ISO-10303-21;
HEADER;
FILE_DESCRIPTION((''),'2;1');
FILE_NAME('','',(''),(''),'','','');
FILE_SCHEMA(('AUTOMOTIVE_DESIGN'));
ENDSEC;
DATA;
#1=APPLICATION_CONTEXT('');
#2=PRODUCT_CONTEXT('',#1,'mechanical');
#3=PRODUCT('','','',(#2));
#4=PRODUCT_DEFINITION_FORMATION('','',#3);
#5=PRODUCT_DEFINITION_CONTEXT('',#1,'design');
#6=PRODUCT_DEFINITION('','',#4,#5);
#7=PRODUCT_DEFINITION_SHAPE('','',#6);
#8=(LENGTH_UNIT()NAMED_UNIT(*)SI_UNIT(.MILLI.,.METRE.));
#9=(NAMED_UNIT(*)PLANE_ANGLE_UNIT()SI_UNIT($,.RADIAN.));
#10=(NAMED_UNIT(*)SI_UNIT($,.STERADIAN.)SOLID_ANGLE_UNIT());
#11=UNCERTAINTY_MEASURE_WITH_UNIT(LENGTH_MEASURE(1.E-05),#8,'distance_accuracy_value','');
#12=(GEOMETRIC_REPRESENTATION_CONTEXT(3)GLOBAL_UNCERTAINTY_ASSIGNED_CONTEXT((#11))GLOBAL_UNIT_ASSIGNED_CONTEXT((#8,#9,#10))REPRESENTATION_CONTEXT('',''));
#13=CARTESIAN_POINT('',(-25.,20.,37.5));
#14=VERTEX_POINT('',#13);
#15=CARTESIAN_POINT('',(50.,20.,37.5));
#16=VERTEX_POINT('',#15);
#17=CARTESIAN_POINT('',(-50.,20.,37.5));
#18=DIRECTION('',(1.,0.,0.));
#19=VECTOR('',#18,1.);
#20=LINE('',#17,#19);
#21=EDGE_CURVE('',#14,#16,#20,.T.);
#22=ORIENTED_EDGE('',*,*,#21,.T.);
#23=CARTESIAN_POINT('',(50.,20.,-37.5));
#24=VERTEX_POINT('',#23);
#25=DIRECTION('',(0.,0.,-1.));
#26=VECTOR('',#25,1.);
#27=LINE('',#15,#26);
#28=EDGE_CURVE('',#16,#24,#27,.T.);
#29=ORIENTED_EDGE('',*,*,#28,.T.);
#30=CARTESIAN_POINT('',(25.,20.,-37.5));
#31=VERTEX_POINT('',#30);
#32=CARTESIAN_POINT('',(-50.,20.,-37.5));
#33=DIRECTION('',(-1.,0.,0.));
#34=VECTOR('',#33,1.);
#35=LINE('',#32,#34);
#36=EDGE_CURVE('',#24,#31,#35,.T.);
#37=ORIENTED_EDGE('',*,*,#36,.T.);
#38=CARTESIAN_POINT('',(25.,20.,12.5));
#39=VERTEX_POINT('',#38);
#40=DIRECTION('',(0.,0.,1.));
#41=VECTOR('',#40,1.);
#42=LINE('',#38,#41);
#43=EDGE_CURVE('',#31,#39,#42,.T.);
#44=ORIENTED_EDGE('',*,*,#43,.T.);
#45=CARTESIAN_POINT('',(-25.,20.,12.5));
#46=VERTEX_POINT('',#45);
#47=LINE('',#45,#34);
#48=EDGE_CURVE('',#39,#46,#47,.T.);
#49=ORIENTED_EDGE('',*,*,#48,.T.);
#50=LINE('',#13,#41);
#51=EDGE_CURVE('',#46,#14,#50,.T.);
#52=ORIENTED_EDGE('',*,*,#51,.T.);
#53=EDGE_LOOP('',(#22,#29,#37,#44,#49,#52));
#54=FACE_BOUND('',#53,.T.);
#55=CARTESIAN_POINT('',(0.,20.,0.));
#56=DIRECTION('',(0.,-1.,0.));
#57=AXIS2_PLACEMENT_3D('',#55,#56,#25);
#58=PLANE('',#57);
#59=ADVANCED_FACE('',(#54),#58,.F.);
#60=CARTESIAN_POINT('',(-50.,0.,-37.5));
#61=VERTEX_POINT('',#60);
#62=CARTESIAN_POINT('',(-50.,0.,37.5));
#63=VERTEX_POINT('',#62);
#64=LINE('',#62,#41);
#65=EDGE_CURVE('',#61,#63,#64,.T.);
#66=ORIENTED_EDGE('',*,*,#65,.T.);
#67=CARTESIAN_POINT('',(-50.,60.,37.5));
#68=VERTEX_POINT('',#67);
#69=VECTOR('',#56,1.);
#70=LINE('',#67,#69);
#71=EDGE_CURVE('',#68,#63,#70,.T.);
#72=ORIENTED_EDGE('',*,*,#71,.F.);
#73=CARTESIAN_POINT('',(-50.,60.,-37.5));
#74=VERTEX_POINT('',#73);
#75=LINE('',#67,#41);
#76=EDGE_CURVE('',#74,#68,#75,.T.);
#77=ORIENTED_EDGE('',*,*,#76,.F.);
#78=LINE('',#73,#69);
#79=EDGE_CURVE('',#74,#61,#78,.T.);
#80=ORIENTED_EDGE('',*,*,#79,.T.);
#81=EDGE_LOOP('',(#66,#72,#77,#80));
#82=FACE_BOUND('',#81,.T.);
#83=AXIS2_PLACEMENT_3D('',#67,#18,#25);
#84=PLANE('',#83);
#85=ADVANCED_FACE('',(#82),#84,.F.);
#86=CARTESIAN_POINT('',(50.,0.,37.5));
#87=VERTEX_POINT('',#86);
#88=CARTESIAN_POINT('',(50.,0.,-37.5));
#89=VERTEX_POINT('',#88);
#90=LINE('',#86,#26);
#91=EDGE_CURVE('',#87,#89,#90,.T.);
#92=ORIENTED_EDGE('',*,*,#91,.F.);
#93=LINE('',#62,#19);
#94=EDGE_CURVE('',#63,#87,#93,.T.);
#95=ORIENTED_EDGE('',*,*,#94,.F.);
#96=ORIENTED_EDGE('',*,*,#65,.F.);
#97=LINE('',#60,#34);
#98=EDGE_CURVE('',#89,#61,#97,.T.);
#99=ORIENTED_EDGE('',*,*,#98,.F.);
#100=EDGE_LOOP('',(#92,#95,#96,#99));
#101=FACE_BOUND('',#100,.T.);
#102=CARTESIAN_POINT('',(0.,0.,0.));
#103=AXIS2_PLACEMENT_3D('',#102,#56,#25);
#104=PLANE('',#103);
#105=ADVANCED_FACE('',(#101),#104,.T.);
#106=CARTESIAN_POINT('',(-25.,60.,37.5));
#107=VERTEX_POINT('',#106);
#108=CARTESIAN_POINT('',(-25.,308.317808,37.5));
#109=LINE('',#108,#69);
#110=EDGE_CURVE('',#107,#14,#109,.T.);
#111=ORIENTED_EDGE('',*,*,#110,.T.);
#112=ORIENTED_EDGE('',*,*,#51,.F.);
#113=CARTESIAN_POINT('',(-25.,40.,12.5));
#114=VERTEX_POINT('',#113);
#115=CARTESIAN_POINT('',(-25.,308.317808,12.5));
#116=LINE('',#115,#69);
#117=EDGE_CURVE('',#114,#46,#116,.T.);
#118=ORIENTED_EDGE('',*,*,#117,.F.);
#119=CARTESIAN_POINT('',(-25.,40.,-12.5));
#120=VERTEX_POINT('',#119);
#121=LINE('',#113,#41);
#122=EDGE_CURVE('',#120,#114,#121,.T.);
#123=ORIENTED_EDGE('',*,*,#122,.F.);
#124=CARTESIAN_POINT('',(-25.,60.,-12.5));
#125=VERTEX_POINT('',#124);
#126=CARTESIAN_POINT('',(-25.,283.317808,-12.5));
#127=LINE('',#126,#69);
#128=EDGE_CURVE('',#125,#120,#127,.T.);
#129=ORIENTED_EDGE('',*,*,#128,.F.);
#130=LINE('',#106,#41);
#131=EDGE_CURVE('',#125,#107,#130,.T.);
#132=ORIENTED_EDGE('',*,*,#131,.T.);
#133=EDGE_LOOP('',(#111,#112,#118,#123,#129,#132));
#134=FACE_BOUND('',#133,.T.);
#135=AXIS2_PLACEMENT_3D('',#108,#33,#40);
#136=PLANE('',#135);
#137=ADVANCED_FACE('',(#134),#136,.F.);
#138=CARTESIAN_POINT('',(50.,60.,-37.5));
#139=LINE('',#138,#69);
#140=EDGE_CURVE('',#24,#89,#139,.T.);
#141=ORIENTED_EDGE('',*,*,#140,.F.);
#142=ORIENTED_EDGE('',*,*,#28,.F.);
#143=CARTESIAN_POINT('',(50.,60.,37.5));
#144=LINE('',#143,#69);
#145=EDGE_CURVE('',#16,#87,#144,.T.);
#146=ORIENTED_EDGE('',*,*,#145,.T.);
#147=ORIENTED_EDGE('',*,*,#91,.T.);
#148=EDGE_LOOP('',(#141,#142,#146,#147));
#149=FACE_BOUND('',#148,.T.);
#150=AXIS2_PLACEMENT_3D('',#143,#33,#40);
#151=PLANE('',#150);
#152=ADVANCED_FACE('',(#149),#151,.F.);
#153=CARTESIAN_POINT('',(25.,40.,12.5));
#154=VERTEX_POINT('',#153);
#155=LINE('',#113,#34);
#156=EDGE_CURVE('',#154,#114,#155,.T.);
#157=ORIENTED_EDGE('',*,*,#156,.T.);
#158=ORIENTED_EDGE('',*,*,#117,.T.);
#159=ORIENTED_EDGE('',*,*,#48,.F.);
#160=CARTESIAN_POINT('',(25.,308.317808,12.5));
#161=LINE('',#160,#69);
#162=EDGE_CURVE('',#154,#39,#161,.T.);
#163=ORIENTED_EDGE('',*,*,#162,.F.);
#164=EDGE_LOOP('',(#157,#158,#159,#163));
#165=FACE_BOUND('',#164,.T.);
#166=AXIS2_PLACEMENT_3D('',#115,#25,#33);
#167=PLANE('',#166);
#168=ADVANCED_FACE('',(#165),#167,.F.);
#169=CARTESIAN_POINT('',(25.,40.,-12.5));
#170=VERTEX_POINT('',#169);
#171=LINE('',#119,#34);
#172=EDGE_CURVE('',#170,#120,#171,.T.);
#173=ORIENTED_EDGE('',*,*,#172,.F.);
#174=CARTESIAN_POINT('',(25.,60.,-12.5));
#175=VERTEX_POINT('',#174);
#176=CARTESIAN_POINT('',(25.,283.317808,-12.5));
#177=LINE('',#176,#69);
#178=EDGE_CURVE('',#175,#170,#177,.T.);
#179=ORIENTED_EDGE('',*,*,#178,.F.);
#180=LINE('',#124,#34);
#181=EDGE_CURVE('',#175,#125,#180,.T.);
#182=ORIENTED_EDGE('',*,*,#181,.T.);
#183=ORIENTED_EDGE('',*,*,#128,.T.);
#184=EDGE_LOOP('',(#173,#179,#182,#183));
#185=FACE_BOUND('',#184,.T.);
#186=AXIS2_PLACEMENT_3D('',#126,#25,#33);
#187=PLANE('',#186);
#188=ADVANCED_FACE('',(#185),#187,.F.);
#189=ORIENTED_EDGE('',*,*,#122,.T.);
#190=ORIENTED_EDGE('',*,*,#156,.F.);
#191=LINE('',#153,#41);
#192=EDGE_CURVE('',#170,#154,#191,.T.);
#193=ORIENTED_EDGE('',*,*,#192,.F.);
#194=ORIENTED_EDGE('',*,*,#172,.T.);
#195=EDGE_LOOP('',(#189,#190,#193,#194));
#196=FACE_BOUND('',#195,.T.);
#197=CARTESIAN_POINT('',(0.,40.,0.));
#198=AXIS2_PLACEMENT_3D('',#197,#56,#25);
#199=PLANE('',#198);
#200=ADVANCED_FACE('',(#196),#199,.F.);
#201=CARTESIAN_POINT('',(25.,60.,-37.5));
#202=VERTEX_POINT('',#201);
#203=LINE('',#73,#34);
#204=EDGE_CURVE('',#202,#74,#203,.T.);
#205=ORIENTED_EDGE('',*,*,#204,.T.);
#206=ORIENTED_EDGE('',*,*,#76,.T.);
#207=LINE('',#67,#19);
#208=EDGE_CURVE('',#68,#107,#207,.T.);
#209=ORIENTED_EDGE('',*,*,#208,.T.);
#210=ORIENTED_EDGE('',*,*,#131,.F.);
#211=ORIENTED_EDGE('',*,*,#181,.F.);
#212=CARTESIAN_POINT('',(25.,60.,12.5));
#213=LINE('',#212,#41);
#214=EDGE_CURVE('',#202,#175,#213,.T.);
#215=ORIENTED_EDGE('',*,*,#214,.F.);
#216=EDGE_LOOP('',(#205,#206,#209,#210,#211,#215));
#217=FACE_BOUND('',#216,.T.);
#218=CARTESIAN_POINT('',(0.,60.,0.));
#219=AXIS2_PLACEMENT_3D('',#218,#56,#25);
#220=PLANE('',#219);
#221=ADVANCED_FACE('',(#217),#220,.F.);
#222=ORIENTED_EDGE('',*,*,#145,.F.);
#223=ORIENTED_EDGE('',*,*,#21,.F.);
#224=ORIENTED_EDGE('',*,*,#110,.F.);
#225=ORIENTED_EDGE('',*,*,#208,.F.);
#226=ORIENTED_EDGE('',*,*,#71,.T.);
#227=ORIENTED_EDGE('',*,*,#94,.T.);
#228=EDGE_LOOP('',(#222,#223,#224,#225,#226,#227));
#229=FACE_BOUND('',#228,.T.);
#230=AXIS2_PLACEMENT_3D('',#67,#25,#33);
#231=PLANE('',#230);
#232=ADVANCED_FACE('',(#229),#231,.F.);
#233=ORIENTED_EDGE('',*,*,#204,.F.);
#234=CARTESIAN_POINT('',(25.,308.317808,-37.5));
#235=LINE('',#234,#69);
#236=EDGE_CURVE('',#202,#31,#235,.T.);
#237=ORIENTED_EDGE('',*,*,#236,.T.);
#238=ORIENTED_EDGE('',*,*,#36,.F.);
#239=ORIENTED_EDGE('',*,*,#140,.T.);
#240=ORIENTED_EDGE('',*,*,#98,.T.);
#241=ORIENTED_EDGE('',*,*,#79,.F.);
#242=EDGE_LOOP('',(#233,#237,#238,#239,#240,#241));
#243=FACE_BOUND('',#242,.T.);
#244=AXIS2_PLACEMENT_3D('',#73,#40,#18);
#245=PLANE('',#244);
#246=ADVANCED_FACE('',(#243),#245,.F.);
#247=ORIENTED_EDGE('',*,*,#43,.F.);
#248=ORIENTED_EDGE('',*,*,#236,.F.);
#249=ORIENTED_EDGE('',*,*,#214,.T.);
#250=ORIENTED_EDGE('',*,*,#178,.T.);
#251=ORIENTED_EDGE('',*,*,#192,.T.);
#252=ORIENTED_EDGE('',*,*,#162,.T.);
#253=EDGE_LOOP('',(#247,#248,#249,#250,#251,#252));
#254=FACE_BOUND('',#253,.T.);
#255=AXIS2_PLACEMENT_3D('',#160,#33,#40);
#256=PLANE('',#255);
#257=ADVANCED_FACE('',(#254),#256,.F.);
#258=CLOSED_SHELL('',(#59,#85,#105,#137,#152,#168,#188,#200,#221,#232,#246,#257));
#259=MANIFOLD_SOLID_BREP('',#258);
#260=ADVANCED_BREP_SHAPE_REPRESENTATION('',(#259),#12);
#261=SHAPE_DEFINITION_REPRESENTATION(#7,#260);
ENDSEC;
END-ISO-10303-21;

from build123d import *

# Parameters (mm, degrees)
SKETCH1_W               = 100
SKETCH1_H               = 75
BOSS_EXTRUDE1_DEPTH     = 60
CUT_EXTRUDE1_DEPTH      = 87.638617256
CUT_EXTRUDE1_DEPTH_BACK = 40
CUT_EXTRUDE2_DEPTH      = 87.638617256
CUT_EXTRUDE2_DEPTH_BACK = 20


with BuildPart() as part:
    # Sketch1 → Boss-Extrude1 (new body)
    with BuildSketch(Plane(origin=(0, 0, 0), x_dir=(1, 0, 0), z_dir=(0, 1, 0))):
        Rectangle(SKETCH1_W, SKETCH1_H)
    extrude(amount=BOSS_EXTRUDE1_DEPTH)

    # Sketch2 → Cut-Extrude1 (cut, two sides: drawn at the far end of the back side and taken through both)
    with BuildSketch(Plane(origin=(0, 60, 0), x_dir=(1, 0, 0), z_dir=(0, 1, 0)).offset(-CUT_EXTRUDE1_DEPTH_BACK)):
        Polygon((-25, -259.632034356), (-25, -37.5), (-25, -12.5), (25, -12.5), (25, 37.5), (25, 259.632034356), (467.218719806, 217.050740324), (417.218719806, -302.213328388), align=None)
    extrude(amount=CUT_EXTRUDE1_DEPTH + CUT_EXTRUDE1_DEPTH_BACK, mode=Mode.SUBTRACT)

    # Sketch3 → Cut-Extrude2 (cut, two sides: drawn at the far end of the back side and taken through both)
    with BuildSketch(Plane(origin=(0, 60, 0), x_dir=(1, 0, 0), z_dir=(0, 1, 0)).offset(-CUT_EXTRUDE2_DEPTH_BACK)):
        Polygon((-25, -234.632034356), (-25, -12.5), (-25, 12.5), (25, 12.5), (25, 37.5), (25, 259.632034356), (467.008191751, 214.918264963), (417.008191751, -279.345803749), align=None)
    extrude(amount=CUT_EXTRUDE2_DEPTH + CUT_EXTRUDE2_DEPTH_BACK, mode=Mode.SUBTRACT)


solid = part.part
